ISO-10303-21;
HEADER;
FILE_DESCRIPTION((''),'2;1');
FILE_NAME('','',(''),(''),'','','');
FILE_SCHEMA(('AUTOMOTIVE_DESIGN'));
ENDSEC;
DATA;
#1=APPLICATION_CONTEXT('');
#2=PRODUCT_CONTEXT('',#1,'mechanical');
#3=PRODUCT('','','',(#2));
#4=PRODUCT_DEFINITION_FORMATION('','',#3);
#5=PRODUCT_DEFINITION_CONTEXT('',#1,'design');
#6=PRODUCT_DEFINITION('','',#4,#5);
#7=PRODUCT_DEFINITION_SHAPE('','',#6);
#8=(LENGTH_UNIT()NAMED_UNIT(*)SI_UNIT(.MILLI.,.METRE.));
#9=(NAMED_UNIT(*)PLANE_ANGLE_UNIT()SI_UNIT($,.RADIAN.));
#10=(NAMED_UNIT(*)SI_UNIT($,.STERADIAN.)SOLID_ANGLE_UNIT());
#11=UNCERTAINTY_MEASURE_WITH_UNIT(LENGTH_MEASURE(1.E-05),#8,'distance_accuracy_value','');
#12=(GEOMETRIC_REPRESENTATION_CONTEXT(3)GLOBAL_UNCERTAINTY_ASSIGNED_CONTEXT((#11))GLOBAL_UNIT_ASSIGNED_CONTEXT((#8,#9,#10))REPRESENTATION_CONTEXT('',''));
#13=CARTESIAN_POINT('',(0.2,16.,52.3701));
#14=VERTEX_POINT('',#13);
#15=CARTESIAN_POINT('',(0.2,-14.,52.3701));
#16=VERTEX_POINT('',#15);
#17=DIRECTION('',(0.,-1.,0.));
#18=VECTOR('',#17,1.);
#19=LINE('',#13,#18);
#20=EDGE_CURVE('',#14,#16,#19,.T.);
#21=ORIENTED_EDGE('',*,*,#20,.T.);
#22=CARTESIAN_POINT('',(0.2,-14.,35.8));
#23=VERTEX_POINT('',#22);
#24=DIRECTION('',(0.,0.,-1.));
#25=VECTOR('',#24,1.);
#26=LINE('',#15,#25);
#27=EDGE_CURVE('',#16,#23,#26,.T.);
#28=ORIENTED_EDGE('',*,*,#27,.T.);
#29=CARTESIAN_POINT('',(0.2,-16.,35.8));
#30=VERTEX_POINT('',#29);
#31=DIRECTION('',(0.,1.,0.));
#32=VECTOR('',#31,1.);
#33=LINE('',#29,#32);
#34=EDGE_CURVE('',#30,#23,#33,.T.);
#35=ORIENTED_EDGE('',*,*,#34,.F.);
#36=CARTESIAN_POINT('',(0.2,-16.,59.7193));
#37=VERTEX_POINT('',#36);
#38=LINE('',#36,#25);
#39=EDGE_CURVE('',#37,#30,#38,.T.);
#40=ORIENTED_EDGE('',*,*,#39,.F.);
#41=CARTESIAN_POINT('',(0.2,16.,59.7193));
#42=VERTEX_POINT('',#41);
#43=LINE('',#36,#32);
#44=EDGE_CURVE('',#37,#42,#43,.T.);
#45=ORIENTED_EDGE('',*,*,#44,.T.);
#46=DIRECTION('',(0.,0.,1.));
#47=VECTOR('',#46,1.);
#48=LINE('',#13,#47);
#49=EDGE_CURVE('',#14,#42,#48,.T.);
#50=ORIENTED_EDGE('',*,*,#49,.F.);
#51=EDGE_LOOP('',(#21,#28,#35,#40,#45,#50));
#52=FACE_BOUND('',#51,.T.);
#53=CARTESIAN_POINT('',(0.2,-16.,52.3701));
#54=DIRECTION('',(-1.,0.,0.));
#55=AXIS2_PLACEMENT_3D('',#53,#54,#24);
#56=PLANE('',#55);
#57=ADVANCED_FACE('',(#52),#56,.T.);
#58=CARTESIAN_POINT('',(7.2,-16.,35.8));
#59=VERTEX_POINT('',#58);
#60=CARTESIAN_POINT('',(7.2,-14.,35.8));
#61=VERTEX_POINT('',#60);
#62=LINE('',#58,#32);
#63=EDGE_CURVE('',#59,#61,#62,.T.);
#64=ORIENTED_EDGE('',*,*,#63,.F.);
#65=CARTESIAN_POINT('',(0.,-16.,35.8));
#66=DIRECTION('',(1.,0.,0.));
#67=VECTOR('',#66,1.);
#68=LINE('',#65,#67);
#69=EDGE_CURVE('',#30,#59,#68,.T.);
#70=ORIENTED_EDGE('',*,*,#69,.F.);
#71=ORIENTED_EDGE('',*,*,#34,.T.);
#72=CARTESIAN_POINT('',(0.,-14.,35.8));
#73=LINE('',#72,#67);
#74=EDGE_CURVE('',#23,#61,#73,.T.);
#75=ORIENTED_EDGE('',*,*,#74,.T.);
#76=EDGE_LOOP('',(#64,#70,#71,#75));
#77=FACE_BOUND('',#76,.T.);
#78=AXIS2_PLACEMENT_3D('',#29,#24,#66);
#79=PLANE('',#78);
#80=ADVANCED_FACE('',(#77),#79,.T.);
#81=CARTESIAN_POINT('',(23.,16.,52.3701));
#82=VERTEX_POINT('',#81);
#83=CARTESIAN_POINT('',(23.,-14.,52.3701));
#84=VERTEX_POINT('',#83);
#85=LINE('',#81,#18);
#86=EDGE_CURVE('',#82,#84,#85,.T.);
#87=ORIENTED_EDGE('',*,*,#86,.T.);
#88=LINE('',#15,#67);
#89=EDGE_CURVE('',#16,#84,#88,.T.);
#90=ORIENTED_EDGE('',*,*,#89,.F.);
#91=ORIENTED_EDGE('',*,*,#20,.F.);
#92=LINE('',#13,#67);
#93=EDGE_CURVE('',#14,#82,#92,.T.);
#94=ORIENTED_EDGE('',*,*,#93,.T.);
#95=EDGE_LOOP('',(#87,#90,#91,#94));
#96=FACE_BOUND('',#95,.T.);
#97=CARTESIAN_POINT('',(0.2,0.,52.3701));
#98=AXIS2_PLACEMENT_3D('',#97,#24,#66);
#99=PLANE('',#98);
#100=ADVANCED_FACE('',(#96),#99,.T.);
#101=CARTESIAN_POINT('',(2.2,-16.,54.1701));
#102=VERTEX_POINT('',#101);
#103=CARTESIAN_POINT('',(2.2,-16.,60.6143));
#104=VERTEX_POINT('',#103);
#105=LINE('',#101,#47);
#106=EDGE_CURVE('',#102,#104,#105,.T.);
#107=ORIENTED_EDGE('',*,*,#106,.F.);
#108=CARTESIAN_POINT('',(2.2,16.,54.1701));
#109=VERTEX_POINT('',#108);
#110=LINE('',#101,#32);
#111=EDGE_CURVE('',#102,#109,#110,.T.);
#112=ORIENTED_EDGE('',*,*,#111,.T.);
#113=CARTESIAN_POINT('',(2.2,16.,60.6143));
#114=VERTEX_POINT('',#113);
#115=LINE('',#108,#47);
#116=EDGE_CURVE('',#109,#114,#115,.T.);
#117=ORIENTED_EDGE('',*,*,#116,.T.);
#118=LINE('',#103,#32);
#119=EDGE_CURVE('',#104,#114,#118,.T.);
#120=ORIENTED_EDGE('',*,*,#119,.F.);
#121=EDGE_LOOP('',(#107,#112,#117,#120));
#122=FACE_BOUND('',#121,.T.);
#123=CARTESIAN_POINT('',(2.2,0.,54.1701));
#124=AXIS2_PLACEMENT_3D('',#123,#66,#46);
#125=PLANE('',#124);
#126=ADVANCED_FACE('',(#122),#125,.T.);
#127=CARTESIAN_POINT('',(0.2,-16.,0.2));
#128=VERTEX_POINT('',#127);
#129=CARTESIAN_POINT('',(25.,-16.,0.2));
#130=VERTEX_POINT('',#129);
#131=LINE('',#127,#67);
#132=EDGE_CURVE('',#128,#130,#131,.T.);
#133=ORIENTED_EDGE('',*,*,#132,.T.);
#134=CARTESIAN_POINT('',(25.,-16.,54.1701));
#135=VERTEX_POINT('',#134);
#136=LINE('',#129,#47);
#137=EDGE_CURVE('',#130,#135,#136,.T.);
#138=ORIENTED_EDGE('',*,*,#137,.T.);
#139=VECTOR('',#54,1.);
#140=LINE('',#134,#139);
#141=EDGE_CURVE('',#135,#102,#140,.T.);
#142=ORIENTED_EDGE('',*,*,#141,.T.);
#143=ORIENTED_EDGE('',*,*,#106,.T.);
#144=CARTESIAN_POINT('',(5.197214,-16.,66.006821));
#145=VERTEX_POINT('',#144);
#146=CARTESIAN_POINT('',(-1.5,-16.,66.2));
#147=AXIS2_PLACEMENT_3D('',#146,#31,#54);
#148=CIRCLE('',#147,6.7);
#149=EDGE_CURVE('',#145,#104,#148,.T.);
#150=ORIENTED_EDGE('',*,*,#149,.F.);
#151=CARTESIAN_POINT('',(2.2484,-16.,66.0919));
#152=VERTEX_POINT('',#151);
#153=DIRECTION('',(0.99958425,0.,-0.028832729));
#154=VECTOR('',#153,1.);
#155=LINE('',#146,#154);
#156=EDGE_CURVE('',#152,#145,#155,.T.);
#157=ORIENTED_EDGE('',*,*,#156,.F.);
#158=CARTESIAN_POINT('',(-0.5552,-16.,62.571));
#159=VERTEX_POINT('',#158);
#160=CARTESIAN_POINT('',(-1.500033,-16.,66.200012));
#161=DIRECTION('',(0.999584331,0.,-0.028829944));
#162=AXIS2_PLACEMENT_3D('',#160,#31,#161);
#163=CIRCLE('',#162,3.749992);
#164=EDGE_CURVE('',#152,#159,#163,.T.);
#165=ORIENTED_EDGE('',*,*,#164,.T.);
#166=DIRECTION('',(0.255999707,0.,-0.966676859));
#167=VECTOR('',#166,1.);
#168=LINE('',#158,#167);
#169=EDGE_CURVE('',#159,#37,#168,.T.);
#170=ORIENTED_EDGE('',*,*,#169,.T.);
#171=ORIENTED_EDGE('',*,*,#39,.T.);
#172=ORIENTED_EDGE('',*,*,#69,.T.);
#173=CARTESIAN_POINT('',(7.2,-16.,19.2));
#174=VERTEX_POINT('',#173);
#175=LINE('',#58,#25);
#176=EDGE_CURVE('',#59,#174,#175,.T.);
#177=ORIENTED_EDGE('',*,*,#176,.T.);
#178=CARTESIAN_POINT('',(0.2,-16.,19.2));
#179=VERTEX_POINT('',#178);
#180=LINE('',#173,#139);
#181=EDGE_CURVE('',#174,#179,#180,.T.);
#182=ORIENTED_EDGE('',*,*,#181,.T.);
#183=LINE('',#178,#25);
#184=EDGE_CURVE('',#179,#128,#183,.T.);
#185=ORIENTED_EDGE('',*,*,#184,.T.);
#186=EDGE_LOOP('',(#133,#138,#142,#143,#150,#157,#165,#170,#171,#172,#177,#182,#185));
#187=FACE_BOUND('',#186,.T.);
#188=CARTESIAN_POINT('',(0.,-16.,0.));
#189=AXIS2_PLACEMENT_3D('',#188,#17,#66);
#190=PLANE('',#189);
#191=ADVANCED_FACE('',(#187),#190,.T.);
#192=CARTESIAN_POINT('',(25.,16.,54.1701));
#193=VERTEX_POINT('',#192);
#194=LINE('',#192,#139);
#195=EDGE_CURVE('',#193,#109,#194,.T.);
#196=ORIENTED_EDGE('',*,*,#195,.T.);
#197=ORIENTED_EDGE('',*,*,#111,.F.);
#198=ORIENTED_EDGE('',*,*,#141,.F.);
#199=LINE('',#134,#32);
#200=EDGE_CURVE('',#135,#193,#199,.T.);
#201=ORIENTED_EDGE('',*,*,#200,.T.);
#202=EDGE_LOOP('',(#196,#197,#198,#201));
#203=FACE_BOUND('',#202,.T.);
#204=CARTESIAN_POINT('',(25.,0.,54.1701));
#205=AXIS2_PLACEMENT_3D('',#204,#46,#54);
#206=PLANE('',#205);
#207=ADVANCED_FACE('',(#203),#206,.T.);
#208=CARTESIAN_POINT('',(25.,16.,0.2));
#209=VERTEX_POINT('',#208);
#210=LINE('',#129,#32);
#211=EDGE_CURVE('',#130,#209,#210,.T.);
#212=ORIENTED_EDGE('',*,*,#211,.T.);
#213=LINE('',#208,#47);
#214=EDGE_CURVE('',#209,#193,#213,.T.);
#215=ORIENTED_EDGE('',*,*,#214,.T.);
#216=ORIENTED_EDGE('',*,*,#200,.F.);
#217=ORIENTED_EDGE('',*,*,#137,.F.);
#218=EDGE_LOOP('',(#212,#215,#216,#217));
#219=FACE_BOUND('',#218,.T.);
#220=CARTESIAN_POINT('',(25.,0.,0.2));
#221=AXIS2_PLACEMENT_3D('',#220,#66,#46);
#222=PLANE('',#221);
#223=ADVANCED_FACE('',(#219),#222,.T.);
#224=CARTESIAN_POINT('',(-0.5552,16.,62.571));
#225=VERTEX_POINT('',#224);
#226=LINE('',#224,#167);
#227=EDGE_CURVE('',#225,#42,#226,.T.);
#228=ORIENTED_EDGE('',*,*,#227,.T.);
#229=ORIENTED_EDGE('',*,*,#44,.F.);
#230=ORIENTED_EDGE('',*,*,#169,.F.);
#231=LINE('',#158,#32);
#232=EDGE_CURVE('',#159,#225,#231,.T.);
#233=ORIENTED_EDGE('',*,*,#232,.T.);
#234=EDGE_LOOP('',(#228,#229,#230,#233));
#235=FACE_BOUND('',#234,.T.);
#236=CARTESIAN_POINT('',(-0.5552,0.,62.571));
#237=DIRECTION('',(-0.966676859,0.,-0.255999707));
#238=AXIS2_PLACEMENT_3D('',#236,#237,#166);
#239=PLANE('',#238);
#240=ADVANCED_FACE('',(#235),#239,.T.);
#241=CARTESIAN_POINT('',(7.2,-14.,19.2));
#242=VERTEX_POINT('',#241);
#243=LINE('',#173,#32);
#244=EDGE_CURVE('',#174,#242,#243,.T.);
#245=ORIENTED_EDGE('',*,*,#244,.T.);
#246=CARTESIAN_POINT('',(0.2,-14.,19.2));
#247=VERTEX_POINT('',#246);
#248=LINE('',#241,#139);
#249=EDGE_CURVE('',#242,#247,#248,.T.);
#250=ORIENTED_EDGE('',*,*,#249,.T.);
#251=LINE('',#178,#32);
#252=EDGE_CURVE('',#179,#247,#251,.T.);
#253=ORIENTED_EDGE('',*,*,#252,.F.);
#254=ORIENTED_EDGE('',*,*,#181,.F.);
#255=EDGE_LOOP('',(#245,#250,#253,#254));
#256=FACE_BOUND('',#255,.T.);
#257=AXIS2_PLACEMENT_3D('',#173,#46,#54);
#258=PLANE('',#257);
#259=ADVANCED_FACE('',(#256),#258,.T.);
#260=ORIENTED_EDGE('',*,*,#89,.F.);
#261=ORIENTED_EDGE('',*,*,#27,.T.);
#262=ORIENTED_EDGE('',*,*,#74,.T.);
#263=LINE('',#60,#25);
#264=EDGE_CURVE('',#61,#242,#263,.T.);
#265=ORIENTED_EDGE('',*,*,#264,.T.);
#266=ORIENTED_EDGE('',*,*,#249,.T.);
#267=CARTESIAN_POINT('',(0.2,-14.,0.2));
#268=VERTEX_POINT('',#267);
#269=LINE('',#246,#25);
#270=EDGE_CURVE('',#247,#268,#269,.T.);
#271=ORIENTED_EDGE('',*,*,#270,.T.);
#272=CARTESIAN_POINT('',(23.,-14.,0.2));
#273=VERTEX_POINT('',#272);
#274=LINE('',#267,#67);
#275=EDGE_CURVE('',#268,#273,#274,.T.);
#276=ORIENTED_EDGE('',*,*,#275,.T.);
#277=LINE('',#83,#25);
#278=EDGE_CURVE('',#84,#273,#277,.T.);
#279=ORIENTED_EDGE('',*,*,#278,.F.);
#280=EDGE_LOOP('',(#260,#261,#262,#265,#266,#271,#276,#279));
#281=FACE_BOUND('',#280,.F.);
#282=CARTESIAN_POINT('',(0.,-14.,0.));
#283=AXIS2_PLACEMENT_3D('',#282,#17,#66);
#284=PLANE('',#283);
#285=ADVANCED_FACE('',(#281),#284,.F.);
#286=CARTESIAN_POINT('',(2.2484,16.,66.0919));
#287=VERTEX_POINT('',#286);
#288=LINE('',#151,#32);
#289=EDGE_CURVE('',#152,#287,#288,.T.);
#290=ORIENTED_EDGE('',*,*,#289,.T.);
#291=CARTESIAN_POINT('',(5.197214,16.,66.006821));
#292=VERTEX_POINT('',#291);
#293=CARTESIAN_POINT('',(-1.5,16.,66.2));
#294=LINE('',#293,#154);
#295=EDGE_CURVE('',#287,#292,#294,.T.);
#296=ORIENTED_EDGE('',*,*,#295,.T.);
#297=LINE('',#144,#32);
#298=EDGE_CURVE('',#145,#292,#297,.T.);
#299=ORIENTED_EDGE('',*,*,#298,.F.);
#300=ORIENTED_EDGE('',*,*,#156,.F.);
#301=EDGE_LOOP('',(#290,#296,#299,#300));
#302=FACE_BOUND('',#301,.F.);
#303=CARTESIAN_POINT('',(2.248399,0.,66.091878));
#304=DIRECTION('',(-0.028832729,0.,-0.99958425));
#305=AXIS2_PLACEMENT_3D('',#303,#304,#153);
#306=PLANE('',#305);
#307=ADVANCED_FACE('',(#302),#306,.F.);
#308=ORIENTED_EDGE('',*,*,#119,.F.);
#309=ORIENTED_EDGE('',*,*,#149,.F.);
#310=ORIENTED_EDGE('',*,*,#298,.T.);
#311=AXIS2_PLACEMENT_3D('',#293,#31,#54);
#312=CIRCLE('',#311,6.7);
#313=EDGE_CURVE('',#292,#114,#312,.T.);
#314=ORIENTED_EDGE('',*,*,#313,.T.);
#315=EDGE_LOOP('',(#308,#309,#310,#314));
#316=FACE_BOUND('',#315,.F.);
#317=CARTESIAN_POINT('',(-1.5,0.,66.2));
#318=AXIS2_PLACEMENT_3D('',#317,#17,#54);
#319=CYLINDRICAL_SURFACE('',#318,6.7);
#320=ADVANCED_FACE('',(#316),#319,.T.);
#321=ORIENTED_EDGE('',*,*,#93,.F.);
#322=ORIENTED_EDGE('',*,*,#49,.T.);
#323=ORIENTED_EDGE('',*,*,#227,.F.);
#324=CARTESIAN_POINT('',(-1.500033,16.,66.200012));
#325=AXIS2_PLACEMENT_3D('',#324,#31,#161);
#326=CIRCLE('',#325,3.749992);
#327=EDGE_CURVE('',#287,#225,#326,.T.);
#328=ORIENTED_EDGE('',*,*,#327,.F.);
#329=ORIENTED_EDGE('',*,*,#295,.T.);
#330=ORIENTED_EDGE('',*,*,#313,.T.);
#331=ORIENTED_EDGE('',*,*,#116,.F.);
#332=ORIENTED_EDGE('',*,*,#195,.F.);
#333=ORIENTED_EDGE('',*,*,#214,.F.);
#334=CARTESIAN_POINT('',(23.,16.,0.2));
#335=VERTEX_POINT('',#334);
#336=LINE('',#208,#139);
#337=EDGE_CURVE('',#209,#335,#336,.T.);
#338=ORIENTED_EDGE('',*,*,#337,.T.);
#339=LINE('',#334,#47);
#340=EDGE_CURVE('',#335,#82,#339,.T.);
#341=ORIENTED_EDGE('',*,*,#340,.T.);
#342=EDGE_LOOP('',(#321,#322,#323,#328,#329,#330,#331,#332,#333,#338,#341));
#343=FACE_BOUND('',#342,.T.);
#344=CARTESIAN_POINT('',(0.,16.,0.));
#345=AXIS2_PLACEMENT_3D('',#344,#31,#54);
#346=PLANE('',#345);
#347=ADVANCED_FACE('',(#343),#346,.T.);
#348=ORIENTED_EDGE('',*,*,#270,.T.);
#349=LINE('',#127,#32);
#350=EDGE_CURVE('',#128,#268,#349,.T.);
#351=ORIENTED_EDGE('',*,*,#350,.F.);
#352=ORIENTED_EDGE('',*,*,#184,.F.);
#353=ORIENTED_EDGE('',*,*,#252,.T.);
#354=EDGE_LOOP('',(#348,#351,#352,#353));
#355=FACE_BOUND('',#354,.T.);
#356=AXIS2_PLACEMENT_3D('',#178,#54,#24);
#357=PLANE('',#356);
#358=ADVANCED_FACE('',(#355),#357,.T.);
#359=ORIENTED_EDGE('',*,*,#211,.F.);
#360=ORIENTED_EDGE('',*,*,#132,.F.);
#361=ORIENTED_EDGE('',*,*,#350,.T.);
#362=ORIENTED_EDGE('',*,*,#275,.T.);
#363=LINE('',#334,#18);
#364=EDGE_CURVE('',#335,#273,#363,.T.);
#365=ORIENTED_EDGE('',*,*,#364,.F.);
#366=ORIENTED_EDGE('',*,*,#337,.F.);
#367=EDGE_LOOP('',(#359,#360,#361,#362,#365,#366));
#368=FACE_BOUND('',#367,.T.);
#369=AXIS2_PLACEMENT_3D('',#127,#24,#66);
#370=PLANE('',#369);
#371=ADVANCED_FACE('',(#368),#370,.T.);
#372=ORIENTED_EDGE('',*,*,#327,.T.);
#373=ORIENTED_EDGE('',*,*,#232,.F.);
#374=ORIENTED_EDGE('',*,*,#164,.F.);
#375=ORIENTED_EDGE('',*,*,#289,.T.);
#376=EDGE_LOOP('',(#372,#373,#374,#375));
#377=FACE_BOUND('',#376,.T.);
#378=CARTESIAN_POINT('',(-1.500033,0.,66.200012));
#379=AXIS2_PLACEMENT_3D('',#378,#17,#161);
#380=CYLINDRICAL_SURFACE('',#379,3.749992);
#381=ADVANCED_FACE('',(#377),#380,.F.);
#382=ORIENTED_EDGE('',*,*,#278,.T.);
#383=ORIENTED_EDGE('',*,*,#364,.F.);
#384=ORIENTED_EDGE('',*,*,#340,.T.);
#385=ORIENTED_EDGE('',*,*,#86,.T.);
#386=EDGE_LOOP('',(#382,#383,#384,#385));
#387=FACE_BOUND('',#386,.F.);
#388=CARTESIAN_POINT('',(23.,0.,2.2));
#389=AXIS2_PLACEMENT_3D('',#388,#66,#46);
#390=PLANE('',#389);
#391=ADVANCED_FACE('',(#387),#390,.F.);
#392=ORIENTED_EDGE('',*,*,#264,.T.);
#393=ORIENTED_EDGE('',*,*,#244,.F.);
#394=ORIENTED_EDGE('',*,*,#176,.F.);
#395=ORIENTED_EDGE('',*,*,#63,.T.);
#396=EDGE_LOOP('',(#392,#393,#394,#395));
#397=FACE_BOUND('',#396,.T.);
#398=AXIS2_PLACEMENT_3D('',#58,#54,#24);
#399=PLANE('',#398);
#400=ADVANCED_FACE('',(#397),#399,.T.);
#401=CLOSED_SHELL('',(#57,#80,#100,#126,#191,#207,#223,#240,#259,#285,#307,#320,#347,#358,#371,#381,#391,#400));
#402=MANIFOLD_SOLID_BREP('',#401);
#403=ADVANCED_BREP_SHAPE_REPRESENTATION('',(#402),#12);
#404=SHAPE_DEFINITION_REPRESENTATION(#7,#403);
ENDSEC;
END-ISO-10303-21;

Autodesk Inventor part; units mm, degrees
ref_plane "YZ Plane" through (0, 0, 0) normal (1, 0, 0) x (0, 1, 0)
ref_plane "XZ Plane" through (0, 0, 0) normal (0, 1, 0) x (-1, 0, 0)
ref_plane "XY Plane" through (0, 0, 0) normal (0, 0, 1) x (1, 0, 0)
sketch "Sketch1" plane through (0, 0, 0) normal (0, 1, 0) x (-1, 0, 0)
  line L0 (-0.0003, 59.6701) -> (0.6603, 62.5452) projected
  line L1 (-2.25, 66.2) -> (-5.2, 66.2) projected
  line L2 (0, 19.4) -> (-7, 19.4)
  line L3 (-7, 19.4) -> (-7, 35.6)
  line L4 (-7, 35.6) -> (0, 35.6)
  arc A0 (0.6603, 62.5452) -> (-2.25, 66.2) centre (1.5, 66.2) ccw projected
  arc A1 (3, 59.6701) -> (-5.2, 66.2) centre (1.5, 66.2) ccw projected
  arc A2 (0.6603, 62.5452) -> (-2.25, 66.2) centre (1.5, 66.2) ccw projected
  line L5 (0, 35.6) -> (0, 59.6701) projected
  line L6 (1.5, 66.2) -> (-2.25, 66.2)
  line L7 (1.5, 66.2) -> (0.6603, 62.5452)
  line L8 (1.5, 66.2) -> (-5.2118, 66.0064)
  arc A3 (-2.2484, 66.0919) -> (0.5552, 62.571) centre (1.5, 66.2) ccw
  line L9 (-0.2, 52.3701) -> (-23, 52.3701)
  line L10 (-25, 54.1701) -> (-2.2, 54.1701)
  line L11 (-23, 2.2) -> (-23, 52.3701)
  line L12 (0, 0) -> (0, 19.4) projected
  line L13 (-24.1293, 0) -> (0, 0) projected
  line L14 (-25, 0) -> (-24.1293, 0) projected
  line L15 (-25, 0.2) -> (-0.2, 0.2)
  line L16 (-0.2, 0.2) -> (-0.2, 2.2)
  line L17 (-0.2, 2.2) -> (-23, 2.2)
  line L18 (-25, 0.2) -> (-25, 54.1701)
  line L19 (-23, 2.2) -> (-23, 0.2)
  circle A4 centre (1.5, 66.2) radius 6.7
  line L20 (-0.2, 52.3701) -> (-0.2, 59.7193)
  line L21 (0.5552, 62.571) -> (-0.2, 59.7193)
  line L22 (-2.2, 54.1701) -> (-2.2, 60.6143)
  point P0 (-5.1972, 66.0068)
  dimension "d14" = 1.652
  dimension "d18" = 22.8
  dimension "d21" = 24.8
  dimension "d22" = 0.2
  dimension "d23" = 2
extrude "Extrusion1" add sketch "Sketch1" along normal mid plane 32 contours L20 L9 L11 L19 L15 L18 L10 L22 A4 | A4 L8 A3 L21
sketch "Sketch2" plane through (0, -16, 0) normal (0, -1, 0) x (1, 0, 0)
  spline S0 degree 3 poles (24.1293, 0) (23.5574, -0.0479) (22.9856, -0.0965) (22.4138, -0.1456) (19.2606, -0.4164) (16.108, -0.6985) (8.6399, -1.2015) (4.3202, -1.3606) (0, -1.3606) (-4.3202, -1.3606) (-8.6399, -1.2015) (-16.108, -0.6985) (-19.2606, -0.4164) (-22.4138, -0.1456) (-23.2758, -0.0716) (-24.1378, 0.0014) (-25, 0.0722) knots -0.172158 -0.172158 -0.172158 -0.172158 0 0 0 0.949465 0.949465 2.245518 2.245518 2.245518 3.54157 3.54157 4.491036 4.491036 4.491036 4.750564 4.750564 4.750564 4.750564 projected
  line L0 (24.1293, 0) -> (0, 0) projected
  line L1 (0, 0) -> (0, 19.4) projected
  line L2 (0, 19.4) -> (7, 19.4) projected
  line L3 (7, 35.6) -> (7, 19.4) projected
  line L4 (0, 35.6) -> (7, 35.6) projected
  line L5 (0, 35.6) -> (0, 59.6701) projected
  arc A0 (0, 59.6701) -> (0.0003, 59.6701) centre (-1.5, 66.2) ccw projected
  line L6 (0.0003, 59.6701) -> (-0.6603, 62.5452) projected
  arc A1 (2.25, 66.2) -> (-0.6603, 62.5452) centre (-1.5, 66.2) ccw projected
  line L7 (2.25, 66.2) -> (5.2, 66.2) projected
  arc A2 (5.2, 66.2) -> (-3, 59.6701) centre (-1.5, 66.2) ccw projected
  line L8 (-3, 59.6701) -> (-3, 4.75) projected
  line L9 (-25, 4.75) -> (-3, 4.75) projected
  line L10 (-25, 0.0722) -> (-25, 4.75) projected
  line L11 (0, 21.4) -> (6, 21.4) projected
  line L12 (0, 21.4) -> (0, 33.6) projected
  line L13 (0, 33.6) -> (6, 33.6) projected
  line L14 (6, 33.6) -> (6, 21.4) projected
  line L15 (0, 35.8) -> (7.2, 35.8)
  line L16 (7.2, 35.8) -> (7.2, 19.2)
  line L17 (7.2, 19.2) -> (0, 19.2)
  line L18 (0, 19.2) -> (0, 35.8)
  line L19 (0.2, 52.3701) -> (23, 52.3701) projected
  line L20 (0.2, 52.3701) -> (0.2, 35.8)
  line L21 (0.2, 19.2) -> (0.2, 0.2)
  line L22 (23, 0.2) -> (25, 0.2) projected
  line L23 (23, 52.3701) -> (23, 0.2) projected
  line L24 (0.2, 0.2) -> (23, 0.2)
  dimension "d24" = 7.2
  dimension "d25" = 16.6
  dimension "d26" = 0.2
  dimension "d27" = 0.2
extrude "Extrusion2" add sketch "Sketch2" against normal blind 2 contours L17 L16 L15 L20 L19 L23 L24 L21
equation "\"d14\" = d17"
equation "\"d17\" = 1.652443deg"
properties part number "prototype_12_cover"
